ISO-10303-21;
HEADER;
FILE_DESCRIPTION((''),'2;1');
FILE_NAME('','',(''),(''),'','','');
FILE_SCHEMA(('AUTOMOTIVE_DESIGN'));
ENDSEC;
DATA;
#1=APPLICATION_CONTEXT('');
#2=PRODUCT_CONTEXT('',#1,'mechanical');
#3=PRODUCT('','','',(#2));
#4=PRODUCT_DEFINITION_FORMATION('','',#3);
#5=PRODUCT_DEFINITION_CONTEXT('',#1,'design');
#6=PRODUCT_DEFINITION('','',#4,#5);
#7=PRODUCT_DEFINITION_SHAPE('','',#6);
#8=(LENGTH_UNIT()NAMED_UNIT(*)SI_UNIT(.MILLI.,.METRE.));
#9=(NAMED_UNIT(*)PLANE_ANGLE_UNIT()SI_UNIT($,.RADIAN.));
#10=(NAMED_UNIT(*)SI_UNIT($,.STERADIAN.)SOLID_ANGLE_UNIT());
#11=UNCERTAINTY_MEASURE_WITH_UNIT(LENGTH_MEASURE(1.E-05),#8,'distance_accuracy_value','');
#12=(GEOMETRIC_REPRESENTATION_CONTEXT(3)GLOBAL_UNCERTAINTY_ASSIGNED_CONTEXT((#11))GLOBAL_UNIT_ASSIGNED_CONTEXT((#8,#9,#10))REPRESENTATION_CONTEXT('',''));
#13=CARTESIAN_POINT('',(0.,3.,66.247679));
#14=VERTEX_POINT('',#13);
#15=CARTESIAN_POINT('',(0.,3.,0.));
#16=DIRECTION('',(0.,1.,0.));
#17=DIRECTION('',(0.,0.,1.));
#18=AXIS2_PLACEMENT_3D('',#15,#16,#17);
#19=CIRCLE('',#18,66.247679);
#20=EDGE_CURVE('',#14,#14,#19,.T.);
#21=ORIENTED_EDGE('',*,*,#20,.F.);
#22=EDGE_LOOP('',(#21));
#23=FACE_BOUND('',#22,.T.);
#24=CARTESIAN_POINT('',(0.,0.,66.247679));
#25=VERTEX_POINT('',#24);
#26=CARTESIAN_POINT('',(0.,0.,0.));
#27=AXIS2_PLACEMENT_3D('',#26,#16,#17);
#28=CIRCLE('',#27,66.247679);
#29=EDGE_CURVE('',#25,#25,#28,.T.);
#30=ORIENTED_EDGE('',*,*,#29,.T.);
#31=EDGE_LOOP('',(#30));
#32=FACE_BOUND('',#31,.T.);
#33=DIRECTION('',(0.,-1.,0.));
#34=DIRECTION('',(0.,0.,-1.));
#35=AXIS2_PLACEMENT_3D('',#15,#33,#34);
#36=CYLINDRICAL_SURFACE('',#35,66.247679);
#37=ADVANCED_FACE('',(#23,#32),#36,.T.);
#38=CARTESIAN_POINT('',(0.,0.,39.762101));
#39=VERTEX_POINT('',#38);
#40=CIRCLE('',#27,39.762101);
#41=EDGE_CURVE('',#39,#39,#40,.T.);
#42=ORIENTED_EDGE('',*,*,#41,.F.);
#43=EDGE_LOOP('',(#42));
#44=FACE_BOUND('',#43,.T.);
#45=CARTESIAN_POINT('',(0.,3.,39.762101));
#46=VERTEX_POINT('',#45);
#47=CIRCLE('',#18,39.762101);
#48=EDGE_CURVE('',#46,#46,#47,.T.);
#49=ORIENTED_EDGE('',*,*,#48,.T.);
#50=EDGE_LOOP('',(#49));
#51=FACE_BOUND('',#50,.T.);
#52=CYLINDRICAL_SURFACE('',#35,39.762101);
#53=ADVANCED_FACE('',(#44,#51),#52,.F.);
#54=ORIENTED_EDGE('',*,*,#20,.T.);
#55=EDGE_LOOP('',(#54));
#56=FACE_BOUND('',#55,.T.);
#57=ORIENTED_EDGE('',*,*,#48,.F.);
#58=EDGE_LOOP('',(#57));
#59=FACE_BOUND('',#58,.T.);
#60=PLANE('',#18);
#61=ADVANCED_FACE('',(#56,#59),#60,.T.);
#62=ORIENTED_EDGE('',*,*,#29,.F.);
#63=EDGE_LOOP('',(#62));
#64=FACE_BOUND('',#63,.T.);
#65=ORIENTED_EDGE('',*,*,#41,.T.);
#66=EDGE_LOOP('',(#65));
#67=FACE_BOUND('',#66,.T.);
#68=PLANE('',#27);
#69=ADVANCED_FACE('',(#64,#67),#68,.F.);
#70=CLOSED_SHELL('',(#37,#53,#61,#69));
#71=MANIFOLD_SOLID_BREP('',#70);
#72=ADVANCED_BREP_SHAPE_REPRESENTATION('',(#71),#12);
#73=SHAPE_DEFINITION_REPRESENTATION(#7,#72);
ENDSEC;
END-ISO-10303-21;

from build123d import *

# Parameters (mm, degrees)
SKETCH1_R           = 66.247678987
SKETCH1_R_2         = 39.762100618
BOSS_EXTRUDE1_DEPTH = 3


with BuildPart() as part:
    # Sketch1 → Boss-Extrude1 (new body)
    with BuildSketch(Plane(origin=(0, 0, 0), x_dir=(1, 0, 0), z_dir=(0, 1, 0))):
        with Locations(Location((0, 0, 0), (0, 0, 270))):
            Circle(SKETCH1_R)
        with Locations(Location((0, 0, 0), (0, 0, 270))):
            Circle(SKETCH1_R_2, mode=Mode.SUBTRACT)
    extrude(amount=BOSS_EXTRUDE1_DEPTH)


solid = part.part
